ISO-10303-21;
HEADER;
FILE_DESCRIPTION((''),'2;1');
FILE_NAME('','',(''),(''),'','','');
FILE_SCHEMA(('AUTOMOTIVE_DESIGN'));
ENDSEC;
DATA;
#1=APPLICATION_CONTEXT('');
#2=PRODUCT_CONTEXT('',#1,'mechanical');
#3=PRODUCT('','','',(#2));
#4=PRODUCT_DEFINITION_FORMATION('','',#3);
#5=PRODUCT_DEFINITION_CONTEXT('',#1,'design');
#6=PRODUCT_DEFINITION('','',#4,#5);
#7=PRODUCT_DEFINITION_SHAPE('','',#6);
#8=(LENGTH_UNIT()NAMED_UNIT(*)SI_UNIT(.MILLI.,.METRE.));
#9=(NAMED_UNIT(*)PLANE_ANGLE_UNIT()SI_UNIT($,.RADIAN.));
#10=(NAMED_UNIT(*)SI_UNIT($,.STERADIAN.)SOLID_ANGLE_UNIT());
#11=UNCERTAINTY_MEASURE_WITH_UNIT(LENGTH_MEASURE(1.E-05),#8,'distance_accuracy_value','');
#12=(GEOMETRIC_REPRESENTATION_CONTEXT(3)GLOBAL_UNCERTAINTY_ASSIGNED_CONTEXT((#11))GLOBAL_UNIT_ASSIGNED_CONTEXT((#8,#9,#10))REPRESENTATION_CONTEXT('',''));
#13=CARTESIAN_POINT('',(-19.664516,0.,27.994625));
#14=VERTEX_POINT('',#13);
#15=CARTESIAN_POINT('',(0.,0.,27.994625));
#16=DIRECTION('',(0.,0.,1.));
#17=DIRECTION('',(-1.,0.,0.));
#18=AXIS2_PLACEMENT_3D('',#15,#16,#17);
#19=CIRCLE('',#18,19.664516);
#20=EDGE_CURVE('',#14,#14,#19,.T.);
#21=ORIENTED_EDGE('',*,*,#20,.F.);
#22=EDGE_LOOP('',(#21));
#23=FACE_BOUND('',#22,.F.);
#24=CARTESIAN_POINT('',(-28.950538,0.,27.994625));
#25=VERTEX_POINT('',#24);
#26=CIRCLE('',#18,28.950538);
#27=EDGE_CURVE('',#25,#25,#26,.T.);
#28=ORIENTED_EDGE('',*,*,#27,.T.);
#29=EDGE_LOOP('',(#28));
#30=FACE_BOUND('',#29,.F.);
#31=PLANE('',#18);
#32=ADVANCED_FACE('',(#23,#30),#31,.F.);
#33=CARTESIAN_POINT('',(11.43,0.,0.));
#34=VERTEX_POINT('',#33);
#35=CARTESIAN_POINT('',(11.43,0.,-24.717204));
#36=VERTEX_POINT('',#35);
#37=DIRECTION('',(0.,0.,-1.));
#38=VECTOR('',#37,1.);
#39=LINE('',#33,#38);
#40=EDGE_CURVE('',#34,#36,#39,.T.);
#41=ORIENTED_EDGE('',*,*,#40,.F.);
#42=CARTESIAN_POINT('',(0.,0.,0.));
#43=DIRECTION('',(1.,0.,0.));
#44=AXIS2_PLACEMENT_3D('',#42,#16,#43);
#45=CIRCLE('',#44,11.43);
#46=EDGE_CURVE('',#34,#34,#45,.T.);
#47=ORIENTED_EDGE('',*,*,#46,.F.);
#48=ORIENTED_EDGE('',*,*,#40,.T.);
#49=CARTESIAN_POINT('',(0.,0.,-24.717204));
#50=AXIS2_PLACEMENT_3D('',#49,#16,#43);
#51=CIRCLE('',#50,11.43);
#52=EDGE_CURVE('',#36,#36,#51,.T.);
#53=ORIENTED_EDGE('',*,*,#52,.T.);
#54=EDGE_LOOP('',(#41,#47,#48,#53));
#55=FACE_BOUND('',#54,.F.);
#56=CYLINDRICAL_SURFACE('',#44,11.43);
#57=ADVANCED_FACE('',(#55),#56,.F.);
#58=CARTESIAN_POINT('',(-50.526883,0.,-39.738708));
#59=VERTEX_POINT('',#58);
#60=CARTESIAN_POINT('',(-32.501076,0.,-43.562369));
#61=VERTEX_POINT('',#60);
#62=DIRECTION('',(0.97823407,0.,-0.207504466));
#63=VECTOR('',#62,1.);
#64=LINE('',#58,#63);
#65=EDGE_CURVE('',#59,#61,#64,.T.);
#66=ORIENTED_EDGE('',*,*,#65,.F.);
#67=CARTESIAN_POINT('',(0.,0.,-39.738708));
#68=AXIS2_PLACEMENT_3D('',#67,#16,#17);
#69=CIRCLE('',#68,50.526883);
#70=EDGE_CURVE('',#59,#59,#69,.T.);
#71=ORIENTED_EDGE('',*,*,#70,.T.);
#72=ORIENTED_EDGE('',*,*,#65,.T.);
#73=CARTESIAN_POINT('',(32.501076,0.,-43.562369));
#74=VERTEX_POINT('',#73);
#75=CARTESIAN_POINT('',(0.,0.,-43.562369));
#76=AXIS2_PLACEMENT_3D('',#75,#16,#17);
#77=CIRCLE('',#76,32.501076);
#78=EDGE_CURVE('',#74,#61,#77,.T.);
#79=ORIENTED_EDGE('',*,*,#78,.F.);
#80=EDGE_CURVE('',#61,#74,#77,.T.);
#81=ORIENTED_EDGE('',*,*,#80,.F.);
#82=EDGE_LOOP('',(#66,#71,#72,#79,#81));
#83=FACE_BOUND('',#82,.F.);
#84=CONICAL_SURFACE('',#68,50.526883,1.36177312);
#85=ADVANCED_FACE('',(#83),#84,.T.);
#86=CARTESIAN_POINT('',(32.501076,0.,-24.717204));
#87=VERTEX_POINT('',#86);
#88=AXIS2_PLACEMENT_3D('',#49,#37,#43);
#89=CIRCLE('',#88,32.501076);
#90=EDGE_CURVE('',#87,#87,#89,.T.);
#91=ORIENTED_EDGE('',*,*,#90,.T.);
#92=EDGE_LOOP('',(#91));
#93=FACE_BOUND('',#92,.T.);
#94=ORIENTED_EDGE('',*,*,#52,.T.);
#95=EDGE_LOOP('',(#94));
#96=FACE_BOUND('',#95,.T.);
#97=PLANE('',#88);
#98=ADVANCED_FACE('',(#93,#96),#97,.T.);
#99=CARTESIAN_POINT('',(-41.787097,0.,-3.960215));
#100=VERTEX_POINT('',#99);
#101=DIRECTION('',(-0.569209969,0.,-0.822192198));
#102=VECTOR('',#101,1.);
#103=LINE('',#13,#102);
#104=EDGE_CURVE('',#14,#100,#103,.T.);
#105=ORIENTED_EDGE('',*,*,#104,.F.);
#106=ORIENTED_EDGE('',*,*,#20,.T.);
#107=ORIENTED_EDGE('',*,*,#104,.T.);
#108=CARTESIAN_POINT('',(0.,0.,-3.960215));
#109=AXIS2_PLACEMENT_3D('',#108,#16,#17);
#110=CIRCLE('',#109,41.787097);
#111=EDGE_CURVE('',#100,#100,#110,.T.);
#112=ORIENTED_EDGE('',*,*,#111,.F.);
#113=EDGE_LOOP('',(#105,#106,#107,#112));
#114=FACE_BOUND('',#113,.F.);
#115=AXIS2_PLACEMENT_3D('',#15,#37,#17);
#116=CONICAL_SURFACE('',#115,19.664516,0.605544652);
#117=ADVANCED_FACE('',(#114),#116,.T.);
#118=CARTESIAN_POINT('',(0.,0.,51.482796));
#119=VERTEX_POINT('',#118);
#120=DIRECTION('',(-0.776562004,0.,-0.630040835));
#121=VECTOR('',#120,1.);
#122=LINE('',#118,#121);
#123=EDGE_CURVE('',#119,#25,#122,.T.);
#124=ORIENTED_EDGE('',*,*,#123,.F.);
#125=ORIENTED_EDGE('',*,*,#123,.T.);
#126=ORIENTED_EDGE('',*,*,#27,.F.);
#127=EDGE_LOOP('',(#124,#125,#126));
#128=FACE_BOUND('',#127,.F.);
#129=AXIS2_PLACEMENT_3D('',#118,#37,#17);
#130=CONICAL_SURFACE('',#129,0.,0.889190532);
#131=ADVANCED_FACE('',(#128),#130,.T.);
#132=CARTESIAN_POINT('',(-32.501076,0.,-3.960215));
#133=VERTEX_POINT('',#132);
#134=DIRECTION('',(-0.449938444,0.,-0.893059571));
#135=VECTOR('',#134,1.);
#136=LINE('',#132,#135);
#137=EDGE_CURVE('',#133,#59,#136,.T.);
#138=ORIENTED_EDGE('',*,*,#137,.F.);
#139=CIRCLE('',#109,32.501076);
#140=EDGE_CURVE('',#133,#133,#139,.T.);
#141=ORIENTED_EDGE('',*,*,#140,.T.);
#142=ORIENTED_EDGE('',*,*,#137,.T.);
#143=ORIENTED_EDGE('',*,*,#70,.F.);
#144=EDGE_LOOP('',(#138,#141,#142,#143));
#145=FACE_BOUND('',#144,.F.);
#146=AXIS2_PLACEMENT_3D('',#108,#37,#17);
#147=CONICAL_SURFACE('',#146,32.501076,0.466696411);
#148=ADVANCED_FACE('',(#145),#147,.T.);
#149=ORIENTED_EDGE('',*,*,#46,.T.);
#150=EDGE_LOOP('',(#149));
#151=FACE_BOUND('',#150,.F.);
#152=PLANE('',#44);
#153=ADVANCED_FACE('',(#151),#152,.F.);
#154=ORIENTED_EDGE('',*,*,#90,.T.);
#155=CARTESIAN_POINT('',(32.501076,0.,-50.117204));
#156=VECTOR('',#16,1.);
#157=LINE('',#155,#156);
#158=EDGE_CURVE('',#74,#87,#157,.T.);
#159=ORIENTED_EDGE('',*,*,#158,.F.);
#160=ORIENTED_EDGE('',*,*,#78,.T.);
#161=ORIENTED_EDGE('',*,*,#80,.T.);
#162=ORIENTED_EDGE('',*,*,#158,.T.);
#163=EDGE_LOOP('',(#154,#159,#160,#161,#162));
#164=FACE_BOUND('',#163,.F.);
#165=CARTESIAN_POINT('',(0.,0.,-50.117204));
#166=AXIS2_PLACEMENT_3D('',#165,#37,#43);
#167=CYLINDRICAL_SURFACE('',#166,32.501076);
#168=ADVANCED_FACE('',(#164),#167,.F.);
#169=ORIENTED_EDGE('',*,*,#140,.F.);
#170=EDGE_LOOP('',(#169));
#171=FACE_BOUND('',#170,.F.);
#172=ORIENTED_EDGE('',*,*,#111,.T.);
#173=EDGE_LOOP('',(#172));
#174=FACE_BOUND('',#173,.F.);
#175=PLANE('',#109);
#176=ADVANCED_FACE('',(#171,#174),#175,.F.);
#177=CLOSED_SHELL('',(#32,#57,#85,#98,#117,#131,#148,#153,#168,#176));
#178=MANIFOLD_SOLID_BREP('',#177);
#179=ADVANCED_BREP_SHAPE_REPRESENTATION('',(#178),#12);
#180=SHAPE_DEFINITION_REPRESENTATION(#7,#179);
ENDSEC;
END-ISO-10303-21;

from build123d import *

# Parameters (mm, degrees)
F1_FACE_R = 32.501076
F2_DEPTH  = 25.4
F3_R      = 11.43
F4_DEPTH  = 84.328


with BuildPart() as f1:
    # F0 (on Front) → F1 (revolve)
    with BuildSketch(Plane.XZ):
        Polygon((0, -50.117204), (0, 51.482796), (-28.950538, 27.994625), (-19.664516, 27.994625), (-41.787097, -3.960215), (-32.501076, -3.960215), (-50.526883, -39.738708), (-32.501076, -43.562369), (-32.501076, -50.117204), align=None)
    revolve(axis=Axis((0, 0, 0.682796), (0, 0, 1)))

    # F1_face (on face) → F2 (cut)
    with BuildSketch(Plane(origin=(0, 0, -50.117204), x_dir=(1, 0, 0), z_dir=(0, 0, -1))):
        Circle(F1_FACE_R)
    extrude(amount=-F2_DEPTH, mode=Mode.SUBTRACT)

    # F3 (on Top) → F4 (cut)
    with BuildSketch(Plane.XY):
        Circle(F3_R)
    extrude(amount=-F4_DEPTH, mode=Mode.SUBTRACT)


solid = f1.part
